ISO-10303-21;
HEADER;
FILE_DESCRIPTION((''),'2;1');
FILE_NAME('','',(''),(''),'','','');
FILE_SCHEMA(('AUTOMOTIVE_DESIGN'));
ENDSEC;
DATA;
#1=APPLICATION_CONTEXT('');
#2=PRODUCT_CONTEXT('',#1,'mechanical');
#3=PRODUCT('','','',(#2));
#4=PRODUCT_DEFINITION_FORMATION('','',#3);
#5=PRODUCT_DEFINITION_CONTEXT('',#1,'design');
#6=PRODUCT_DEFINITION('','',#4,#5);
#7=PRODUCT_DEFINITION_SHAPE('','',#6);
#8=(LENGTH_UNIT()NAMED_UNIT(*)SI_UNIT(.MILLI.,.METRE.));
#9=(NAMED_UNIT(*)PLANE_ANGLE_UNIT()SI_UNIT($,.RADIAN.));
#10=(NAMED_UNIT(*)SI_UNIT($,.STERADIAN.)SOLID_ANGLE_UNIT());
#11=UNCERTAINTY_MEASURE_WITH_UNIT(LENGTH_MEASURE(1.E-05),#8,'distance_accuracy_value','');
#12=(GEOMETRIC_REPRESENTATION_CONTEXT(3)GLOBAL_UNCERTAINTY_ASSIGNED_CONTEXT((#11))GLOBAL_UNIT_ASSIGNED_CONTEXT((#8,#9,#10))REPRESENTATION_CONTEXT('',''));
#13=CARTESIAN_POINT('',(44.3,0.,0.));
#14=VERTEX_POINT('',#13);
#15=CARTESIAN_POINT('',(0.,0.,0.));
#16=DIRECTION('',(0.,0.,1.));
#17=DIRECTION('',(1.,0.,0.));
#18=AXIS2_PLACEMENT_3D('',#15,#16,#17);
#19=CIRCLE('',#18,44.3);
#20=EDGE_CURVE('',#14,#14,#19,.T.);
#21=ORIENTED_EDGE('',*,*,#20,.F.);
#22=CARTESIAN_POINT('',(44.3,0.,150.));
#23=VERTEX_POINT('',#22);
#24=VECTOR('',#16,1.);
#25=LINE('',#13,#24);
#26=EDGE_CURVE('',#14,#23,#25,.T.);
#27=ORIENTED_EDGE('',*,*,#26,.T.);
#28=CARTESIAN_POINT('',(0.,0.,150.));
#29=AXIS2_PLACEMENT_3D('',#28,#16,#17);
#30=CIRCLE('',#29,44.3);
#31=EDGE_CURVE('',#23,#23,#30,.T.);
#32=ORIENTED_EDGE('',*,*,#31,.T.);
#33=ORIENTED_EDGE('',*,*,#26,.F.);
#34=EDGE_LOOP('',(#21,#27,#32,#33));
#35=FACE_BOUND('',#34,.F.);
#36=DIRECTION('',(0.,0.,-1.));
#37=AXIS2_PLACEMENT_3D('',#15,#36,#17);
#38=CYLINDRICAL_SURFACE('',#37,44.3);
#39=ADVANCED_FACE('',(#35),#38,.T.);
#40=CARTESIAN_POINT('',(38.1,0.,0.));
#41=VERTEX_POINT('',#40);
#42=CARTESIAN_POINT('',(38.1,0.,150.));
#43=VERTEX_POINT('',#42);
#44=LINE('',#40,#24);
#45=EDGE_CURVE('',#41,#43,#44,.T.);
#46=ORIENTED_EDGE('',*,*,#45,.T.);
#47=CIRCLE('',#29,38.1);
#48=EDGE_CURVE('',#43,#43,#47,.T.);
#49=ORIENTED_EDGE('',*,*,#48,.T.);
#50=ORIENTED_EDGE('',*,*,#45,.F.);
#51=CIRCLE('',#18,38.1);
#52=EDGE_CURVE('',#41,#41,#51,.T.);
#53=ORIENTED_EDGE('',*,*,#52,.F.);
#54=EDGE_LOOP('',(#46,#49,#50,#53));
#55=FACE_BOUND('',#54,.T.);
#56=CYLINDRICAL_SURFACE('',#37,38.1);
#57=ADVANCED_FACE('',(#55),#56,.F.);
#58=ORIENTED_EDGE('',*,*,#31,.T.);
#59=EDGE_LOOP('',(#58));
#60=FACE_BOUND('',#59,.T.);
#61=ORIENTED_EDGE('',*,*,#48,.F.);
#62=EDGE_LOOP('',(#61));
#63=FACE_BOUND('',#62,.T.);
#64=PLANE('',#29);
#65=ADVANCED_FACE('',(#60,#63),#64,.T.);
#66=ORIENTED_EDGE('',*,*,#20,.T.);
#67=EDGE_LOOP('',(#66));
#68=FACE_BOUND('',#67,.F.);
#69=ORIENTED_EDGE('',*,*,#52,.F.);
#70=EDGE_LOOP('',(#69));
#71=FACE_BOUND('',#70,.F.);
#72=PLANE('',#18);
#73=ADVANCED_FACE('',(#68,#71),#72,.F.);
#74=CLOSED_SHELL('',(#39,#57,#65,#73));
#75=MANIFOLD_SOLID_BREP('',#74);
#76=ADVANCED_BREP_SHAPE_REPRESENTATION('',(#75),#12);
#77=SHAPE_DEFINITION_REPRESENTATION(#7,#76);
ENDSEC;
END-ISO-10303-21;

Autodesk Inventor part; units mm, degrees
ref_plane "YZ Plane" through (0, 0, 0) normal (1, 0, 0) x (0, 1, 0)
ref_plane "XZ Plane" through (0, 0, 0) normal (0, 1, 0) x (-1, 0, 0)
ref_plane "XY Plane" through (0, 0, 0) normal (0, 0, 1) x (1, 0, 0)
sketch "Sketch1" plane through (0, 0, 0) normal (0, 0, 1) x (1, 0, 0)
  circle A0 centre (0, 0) radius 44.3
  circle A1 centre (0, 0) radius 38.1
  dimension "d1" = 6.2
  dimension "d4" = 76.2
extrude "Extrusion1" add sketch "Sketch1" along normal blind 150
ref_plane "Work Plane1" through (0, 0, 75) normal (0, 0, 1) x (1, 0, 0)
sketch "Sketch2" plane through (0, 0, 75) normal (0, 0, 1) x (1, 0, 0)
  line L0 (52.6218, 0.9587) -> (-67.484, 0.9587)
  point P0 (0, 0)
properties part number "00_Tube_3inch"
